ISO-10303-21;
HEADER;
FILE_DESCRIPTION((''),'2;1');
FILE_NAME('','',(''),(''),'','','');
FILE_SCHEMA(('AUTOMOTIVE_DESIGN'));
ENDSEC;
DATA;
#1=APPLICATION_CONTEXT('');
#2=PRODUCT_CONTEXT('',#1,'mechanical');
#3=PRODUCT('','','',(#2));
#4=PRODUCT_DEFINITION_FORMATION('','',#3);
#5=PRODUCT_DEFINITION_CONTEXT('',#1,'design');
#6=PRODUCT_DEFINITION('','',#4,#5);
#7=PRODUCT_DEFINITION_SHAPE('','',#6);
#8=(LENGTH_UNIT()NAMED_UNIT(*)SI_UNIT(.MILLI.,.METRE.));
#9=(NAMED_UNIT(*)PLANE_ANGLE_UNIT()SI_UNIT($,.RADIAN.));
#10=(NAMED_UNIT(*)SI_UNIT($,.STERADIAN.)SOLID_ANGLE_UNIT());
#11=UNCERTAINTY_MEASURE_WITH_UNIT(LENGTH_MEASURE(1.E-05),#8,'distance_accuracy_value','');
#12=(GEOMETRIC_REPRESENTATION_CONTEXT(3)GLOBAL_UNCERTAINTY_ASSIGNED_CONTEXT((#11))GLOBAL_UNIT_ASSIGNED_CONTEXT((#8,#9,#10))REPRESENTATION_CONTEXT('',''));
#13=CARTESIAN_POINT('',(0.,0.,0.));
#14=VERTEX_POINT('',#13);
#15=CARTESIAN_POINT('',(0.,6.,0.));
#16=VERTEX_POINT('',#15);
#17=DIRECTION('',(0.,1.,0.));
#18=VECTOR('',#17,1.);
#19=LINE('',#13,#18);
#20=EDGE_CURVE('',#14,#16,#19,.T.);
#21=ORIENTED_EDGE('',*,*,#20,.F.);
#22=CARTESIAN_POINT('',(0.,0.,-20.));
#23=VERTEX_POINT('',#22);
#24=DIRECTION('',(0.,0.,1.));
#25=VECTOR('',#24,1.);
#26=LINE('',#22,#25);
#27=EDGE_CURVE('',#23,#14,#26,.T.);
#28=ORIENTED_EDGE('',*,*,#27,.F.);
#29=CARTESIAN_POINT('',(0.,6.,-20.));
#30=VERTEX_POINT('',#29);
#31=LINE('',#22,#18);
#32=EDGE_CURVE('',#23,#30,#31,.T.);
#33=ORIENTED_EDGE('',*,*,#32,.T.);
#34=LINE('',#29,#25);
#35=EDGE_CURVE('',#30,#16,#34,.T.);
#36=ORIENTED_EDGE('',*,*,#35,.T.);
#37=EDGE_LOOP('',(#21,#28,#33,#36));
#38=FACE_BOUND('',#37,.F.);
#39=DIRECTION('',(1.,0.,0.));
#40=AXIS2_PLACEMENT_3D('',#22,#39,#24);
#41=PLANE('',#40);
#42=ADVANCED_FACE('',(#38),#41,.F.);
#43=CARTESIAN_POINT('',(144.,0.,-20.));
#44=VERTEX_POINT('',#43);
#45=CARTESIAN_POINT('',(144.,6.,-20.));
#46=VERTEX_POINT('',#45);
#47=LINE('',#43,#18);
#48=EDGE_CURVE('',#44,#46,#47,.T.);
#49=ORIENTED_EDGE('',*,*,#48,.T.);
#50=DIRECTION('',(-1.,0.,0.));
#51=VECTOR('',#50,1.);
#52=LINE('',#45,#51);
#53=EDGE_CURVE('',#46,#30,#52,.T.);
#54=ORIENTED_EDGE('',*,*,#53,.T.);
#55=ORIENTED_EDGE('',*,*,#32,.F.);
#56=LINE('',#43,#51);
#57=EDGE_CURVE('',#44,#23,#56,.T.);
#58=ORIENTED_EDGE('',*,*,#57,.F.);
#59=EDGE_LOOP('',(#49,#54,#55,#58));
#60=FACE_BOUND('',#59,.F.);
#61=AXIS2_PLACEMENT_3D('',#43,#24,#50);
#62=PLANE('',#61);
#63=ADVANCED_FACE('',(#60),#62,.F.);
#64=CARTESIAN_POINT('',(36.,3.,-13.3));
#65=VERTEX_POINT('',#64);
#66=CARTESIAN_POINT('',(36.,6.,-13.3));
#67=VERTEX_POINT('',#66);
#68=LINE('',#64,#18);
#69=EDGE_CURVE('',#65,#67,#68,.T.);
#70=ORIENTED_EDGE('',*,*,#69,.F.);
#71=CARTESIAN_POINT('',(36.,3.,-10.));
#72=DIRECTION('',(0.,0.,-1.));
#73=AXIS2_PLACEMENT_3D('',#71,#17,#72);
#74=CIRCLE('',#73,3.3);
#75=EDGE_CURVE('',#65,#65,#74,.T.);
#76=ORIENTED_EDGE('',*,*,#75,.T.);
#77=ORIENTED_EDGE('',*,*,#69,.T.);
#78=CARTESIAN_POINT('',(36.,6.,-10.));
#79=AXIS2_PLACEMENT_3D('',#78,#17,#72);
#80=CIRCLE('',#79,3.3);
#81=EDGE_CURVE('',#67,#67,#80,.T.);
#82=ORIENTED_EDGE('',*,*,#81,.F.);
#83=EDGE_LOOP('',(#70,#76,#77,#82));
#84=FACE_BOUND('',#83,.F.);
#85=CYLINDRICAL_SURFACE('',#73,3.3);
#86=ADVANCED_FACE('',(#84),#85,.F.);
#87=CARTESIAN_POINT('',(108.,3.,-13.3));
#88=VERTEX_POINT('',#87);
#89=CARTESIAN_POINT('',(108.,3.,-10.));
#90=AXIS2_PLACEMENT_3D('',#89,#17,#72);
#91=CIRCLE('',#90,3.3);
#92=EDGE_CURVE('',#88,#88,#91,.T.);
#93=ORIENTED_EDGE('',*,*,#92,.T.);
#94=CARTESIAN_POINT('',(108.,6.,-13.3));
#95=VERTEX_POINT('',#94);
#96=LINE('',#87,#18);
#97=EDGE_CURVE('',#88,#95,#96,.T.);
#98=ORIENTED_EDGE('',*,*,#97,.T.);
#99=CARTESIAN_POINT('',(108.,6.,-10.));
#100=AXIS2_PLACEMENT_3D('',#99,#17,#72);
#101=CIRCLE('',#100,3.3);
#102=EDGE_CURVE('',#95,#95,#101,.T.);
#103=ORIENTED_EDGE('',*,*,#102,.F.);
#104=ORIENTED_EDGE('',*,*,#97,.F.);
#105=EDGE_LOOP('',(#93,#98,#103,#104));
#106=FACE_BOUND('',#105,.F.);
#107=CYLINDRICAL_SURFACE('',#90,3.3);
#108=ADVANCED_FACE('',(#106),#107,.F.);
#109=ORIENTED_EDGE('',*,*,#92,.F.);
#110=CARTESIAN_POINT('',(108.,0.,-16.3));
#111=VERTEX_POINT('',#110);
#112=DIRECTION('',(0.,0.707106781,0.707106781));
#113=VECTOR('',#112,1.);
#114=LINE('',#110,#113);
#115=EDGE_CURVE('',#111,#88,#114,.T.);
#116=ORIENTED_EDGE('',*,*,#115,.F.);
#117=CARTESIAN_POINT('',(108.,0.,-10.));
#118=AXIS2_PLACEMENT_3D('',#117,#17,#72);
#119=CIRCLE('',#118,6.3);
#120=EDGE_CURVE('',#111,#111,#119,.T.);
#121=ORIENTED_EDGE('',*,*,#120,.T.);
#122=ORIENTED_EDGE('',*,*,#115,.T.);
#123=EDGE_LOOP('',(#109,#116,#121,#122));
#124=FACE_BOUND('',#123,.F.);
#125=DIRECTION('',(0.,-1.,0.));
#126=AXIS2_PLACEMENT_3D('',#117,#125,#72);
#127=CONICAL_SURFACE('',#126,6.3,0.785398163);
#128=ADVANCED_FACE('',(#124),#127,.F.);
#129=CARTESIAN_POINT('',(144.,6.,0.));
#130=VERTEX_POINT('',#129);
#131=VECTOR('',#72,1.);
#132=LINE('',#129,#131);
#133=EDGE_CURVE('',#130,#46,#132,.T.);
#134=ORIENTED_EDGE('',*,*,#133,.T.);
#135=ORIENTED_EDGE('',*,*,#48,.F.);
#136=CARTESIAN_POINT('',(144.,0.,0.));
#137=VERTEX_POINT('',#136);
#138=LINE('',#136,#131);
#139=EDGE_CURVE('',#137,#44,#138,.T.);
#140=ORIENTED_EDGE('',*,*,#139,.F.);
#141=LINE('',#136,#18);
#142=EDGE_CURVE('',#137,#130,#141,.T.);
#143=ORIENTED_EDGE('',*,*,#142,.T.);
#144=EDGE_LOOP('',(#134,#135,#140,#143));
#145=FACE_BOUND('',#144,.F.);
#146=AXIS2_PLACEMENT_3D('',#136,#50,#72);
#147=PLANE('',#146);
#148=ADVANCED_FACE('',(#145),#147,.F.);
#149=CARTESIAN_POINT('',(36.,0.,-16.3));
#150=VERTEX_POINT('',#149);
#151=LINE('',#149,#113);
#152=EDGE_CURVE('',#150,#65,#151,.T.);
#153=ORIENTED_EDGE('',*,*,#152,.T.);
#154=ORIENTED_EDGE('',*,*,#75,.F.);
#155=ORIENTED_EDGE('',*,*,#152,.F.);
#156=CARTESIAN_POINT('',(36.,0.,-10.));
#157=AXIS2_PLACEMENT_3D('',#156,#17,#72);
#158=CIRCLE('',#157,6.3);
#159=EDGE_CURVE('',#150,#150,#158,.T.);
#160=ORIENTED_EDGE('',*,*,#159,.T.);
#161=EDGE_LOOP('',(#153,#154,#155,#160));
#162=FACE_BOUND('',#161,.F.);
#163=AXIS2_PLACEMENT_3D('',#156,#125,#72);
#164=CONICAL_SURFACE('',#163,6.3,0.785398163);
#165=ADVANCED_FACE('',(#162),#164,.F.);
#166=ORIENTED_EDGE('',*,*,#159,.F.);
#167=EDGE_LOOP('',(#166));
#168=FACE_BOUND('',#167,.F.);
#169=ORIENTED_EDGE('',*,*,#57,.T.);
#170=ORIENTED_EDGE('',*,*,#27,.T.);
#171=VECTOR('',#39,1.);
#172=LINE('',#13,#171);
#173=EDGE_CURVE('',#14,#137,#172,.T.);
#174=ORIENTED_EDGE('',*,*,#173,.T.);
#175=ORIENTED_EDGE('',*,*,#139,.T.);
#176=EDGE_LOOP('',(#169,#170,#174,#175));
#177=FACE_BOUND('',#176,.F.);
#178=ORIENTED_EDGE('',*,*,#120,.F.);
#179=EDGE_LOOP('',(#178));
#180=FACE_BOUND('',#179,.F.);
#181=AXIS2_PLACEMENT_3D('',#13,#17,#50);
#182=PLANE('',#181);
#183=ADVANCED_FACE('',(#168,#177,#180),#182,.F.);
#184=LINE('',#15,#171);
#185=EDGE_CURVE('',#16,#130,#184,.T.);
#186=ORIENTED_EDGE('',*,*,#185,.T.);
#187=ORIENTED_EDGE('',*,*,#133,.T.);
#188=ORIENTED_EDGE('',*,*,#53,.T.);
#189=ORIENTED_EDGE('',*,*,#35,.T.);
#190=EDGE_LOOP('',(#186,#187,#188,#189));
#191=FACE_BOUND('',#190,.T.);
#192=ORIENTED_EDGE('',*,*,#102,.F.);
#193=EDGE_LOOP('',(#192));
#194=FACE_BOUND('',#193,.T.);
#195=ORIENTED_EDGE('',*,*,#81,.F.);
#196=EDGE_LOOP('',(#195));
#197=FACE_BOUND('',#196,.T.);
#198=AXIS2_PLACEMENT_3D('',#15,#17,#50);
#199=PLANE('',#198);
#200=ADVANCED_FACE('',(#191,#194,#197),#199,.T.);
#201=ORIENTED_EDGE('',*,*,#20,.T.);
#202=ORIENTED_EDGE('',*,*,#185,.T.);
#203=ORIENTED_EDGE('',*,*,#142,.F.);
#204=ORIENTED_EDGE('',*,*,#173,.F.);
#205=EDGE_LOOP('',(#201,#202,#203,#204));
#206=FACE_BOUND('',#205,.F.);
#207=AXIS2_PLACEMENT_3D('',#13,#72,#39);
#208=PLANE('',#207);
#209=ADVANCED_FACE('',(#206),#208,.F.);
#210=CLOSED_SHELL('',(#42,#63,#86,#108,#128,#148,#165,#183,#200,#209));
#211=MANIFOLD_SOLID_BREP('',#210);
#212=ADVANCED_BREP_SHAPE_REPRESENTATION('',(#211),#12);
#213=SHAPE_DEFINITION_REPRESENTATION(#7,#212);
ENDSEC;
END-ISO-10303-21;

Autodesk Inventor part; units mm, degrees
ref_plane "YZ Plane" through (0, 0, 0) normal (1, 0, 0) x (0, 1, 0)
ref_plane "XZ Plane" through (0, 0, 0) normal (0, 1, 0) x (-1, 0, 0)
ref_plane "XY Plane" through (0, 0, 0) normal (0, 0, 1) x (1, 0, 0)
sketch "Sketch1" plane through (0, 0, 0) normal (0, 1, 0) x (-1, 0, 0)
  line L0 (0, 0) -> (-144, 0)
  line L1 (-144, 0) -> (-144, -20)
  line L2 (-144, -20) -> (0, -20)
  line L3 (0, -20) -> (0, 0)
  point P0 (-36, -10)
  point P1 (-108, -10)
  dimension "d0" = 144
  dimension "d1" = 20
extrude "Extrusion1" add sketch "Sketch1" along normal blind 6
hole "Hole1" at (36, 0, -10) at (108, 0, -10) direction (0, 1, 0) diameter 6.6 end through all countersink diameter 12.6 countersink angle 90
properties part number "chapa_base" material "Iron, Cast"
